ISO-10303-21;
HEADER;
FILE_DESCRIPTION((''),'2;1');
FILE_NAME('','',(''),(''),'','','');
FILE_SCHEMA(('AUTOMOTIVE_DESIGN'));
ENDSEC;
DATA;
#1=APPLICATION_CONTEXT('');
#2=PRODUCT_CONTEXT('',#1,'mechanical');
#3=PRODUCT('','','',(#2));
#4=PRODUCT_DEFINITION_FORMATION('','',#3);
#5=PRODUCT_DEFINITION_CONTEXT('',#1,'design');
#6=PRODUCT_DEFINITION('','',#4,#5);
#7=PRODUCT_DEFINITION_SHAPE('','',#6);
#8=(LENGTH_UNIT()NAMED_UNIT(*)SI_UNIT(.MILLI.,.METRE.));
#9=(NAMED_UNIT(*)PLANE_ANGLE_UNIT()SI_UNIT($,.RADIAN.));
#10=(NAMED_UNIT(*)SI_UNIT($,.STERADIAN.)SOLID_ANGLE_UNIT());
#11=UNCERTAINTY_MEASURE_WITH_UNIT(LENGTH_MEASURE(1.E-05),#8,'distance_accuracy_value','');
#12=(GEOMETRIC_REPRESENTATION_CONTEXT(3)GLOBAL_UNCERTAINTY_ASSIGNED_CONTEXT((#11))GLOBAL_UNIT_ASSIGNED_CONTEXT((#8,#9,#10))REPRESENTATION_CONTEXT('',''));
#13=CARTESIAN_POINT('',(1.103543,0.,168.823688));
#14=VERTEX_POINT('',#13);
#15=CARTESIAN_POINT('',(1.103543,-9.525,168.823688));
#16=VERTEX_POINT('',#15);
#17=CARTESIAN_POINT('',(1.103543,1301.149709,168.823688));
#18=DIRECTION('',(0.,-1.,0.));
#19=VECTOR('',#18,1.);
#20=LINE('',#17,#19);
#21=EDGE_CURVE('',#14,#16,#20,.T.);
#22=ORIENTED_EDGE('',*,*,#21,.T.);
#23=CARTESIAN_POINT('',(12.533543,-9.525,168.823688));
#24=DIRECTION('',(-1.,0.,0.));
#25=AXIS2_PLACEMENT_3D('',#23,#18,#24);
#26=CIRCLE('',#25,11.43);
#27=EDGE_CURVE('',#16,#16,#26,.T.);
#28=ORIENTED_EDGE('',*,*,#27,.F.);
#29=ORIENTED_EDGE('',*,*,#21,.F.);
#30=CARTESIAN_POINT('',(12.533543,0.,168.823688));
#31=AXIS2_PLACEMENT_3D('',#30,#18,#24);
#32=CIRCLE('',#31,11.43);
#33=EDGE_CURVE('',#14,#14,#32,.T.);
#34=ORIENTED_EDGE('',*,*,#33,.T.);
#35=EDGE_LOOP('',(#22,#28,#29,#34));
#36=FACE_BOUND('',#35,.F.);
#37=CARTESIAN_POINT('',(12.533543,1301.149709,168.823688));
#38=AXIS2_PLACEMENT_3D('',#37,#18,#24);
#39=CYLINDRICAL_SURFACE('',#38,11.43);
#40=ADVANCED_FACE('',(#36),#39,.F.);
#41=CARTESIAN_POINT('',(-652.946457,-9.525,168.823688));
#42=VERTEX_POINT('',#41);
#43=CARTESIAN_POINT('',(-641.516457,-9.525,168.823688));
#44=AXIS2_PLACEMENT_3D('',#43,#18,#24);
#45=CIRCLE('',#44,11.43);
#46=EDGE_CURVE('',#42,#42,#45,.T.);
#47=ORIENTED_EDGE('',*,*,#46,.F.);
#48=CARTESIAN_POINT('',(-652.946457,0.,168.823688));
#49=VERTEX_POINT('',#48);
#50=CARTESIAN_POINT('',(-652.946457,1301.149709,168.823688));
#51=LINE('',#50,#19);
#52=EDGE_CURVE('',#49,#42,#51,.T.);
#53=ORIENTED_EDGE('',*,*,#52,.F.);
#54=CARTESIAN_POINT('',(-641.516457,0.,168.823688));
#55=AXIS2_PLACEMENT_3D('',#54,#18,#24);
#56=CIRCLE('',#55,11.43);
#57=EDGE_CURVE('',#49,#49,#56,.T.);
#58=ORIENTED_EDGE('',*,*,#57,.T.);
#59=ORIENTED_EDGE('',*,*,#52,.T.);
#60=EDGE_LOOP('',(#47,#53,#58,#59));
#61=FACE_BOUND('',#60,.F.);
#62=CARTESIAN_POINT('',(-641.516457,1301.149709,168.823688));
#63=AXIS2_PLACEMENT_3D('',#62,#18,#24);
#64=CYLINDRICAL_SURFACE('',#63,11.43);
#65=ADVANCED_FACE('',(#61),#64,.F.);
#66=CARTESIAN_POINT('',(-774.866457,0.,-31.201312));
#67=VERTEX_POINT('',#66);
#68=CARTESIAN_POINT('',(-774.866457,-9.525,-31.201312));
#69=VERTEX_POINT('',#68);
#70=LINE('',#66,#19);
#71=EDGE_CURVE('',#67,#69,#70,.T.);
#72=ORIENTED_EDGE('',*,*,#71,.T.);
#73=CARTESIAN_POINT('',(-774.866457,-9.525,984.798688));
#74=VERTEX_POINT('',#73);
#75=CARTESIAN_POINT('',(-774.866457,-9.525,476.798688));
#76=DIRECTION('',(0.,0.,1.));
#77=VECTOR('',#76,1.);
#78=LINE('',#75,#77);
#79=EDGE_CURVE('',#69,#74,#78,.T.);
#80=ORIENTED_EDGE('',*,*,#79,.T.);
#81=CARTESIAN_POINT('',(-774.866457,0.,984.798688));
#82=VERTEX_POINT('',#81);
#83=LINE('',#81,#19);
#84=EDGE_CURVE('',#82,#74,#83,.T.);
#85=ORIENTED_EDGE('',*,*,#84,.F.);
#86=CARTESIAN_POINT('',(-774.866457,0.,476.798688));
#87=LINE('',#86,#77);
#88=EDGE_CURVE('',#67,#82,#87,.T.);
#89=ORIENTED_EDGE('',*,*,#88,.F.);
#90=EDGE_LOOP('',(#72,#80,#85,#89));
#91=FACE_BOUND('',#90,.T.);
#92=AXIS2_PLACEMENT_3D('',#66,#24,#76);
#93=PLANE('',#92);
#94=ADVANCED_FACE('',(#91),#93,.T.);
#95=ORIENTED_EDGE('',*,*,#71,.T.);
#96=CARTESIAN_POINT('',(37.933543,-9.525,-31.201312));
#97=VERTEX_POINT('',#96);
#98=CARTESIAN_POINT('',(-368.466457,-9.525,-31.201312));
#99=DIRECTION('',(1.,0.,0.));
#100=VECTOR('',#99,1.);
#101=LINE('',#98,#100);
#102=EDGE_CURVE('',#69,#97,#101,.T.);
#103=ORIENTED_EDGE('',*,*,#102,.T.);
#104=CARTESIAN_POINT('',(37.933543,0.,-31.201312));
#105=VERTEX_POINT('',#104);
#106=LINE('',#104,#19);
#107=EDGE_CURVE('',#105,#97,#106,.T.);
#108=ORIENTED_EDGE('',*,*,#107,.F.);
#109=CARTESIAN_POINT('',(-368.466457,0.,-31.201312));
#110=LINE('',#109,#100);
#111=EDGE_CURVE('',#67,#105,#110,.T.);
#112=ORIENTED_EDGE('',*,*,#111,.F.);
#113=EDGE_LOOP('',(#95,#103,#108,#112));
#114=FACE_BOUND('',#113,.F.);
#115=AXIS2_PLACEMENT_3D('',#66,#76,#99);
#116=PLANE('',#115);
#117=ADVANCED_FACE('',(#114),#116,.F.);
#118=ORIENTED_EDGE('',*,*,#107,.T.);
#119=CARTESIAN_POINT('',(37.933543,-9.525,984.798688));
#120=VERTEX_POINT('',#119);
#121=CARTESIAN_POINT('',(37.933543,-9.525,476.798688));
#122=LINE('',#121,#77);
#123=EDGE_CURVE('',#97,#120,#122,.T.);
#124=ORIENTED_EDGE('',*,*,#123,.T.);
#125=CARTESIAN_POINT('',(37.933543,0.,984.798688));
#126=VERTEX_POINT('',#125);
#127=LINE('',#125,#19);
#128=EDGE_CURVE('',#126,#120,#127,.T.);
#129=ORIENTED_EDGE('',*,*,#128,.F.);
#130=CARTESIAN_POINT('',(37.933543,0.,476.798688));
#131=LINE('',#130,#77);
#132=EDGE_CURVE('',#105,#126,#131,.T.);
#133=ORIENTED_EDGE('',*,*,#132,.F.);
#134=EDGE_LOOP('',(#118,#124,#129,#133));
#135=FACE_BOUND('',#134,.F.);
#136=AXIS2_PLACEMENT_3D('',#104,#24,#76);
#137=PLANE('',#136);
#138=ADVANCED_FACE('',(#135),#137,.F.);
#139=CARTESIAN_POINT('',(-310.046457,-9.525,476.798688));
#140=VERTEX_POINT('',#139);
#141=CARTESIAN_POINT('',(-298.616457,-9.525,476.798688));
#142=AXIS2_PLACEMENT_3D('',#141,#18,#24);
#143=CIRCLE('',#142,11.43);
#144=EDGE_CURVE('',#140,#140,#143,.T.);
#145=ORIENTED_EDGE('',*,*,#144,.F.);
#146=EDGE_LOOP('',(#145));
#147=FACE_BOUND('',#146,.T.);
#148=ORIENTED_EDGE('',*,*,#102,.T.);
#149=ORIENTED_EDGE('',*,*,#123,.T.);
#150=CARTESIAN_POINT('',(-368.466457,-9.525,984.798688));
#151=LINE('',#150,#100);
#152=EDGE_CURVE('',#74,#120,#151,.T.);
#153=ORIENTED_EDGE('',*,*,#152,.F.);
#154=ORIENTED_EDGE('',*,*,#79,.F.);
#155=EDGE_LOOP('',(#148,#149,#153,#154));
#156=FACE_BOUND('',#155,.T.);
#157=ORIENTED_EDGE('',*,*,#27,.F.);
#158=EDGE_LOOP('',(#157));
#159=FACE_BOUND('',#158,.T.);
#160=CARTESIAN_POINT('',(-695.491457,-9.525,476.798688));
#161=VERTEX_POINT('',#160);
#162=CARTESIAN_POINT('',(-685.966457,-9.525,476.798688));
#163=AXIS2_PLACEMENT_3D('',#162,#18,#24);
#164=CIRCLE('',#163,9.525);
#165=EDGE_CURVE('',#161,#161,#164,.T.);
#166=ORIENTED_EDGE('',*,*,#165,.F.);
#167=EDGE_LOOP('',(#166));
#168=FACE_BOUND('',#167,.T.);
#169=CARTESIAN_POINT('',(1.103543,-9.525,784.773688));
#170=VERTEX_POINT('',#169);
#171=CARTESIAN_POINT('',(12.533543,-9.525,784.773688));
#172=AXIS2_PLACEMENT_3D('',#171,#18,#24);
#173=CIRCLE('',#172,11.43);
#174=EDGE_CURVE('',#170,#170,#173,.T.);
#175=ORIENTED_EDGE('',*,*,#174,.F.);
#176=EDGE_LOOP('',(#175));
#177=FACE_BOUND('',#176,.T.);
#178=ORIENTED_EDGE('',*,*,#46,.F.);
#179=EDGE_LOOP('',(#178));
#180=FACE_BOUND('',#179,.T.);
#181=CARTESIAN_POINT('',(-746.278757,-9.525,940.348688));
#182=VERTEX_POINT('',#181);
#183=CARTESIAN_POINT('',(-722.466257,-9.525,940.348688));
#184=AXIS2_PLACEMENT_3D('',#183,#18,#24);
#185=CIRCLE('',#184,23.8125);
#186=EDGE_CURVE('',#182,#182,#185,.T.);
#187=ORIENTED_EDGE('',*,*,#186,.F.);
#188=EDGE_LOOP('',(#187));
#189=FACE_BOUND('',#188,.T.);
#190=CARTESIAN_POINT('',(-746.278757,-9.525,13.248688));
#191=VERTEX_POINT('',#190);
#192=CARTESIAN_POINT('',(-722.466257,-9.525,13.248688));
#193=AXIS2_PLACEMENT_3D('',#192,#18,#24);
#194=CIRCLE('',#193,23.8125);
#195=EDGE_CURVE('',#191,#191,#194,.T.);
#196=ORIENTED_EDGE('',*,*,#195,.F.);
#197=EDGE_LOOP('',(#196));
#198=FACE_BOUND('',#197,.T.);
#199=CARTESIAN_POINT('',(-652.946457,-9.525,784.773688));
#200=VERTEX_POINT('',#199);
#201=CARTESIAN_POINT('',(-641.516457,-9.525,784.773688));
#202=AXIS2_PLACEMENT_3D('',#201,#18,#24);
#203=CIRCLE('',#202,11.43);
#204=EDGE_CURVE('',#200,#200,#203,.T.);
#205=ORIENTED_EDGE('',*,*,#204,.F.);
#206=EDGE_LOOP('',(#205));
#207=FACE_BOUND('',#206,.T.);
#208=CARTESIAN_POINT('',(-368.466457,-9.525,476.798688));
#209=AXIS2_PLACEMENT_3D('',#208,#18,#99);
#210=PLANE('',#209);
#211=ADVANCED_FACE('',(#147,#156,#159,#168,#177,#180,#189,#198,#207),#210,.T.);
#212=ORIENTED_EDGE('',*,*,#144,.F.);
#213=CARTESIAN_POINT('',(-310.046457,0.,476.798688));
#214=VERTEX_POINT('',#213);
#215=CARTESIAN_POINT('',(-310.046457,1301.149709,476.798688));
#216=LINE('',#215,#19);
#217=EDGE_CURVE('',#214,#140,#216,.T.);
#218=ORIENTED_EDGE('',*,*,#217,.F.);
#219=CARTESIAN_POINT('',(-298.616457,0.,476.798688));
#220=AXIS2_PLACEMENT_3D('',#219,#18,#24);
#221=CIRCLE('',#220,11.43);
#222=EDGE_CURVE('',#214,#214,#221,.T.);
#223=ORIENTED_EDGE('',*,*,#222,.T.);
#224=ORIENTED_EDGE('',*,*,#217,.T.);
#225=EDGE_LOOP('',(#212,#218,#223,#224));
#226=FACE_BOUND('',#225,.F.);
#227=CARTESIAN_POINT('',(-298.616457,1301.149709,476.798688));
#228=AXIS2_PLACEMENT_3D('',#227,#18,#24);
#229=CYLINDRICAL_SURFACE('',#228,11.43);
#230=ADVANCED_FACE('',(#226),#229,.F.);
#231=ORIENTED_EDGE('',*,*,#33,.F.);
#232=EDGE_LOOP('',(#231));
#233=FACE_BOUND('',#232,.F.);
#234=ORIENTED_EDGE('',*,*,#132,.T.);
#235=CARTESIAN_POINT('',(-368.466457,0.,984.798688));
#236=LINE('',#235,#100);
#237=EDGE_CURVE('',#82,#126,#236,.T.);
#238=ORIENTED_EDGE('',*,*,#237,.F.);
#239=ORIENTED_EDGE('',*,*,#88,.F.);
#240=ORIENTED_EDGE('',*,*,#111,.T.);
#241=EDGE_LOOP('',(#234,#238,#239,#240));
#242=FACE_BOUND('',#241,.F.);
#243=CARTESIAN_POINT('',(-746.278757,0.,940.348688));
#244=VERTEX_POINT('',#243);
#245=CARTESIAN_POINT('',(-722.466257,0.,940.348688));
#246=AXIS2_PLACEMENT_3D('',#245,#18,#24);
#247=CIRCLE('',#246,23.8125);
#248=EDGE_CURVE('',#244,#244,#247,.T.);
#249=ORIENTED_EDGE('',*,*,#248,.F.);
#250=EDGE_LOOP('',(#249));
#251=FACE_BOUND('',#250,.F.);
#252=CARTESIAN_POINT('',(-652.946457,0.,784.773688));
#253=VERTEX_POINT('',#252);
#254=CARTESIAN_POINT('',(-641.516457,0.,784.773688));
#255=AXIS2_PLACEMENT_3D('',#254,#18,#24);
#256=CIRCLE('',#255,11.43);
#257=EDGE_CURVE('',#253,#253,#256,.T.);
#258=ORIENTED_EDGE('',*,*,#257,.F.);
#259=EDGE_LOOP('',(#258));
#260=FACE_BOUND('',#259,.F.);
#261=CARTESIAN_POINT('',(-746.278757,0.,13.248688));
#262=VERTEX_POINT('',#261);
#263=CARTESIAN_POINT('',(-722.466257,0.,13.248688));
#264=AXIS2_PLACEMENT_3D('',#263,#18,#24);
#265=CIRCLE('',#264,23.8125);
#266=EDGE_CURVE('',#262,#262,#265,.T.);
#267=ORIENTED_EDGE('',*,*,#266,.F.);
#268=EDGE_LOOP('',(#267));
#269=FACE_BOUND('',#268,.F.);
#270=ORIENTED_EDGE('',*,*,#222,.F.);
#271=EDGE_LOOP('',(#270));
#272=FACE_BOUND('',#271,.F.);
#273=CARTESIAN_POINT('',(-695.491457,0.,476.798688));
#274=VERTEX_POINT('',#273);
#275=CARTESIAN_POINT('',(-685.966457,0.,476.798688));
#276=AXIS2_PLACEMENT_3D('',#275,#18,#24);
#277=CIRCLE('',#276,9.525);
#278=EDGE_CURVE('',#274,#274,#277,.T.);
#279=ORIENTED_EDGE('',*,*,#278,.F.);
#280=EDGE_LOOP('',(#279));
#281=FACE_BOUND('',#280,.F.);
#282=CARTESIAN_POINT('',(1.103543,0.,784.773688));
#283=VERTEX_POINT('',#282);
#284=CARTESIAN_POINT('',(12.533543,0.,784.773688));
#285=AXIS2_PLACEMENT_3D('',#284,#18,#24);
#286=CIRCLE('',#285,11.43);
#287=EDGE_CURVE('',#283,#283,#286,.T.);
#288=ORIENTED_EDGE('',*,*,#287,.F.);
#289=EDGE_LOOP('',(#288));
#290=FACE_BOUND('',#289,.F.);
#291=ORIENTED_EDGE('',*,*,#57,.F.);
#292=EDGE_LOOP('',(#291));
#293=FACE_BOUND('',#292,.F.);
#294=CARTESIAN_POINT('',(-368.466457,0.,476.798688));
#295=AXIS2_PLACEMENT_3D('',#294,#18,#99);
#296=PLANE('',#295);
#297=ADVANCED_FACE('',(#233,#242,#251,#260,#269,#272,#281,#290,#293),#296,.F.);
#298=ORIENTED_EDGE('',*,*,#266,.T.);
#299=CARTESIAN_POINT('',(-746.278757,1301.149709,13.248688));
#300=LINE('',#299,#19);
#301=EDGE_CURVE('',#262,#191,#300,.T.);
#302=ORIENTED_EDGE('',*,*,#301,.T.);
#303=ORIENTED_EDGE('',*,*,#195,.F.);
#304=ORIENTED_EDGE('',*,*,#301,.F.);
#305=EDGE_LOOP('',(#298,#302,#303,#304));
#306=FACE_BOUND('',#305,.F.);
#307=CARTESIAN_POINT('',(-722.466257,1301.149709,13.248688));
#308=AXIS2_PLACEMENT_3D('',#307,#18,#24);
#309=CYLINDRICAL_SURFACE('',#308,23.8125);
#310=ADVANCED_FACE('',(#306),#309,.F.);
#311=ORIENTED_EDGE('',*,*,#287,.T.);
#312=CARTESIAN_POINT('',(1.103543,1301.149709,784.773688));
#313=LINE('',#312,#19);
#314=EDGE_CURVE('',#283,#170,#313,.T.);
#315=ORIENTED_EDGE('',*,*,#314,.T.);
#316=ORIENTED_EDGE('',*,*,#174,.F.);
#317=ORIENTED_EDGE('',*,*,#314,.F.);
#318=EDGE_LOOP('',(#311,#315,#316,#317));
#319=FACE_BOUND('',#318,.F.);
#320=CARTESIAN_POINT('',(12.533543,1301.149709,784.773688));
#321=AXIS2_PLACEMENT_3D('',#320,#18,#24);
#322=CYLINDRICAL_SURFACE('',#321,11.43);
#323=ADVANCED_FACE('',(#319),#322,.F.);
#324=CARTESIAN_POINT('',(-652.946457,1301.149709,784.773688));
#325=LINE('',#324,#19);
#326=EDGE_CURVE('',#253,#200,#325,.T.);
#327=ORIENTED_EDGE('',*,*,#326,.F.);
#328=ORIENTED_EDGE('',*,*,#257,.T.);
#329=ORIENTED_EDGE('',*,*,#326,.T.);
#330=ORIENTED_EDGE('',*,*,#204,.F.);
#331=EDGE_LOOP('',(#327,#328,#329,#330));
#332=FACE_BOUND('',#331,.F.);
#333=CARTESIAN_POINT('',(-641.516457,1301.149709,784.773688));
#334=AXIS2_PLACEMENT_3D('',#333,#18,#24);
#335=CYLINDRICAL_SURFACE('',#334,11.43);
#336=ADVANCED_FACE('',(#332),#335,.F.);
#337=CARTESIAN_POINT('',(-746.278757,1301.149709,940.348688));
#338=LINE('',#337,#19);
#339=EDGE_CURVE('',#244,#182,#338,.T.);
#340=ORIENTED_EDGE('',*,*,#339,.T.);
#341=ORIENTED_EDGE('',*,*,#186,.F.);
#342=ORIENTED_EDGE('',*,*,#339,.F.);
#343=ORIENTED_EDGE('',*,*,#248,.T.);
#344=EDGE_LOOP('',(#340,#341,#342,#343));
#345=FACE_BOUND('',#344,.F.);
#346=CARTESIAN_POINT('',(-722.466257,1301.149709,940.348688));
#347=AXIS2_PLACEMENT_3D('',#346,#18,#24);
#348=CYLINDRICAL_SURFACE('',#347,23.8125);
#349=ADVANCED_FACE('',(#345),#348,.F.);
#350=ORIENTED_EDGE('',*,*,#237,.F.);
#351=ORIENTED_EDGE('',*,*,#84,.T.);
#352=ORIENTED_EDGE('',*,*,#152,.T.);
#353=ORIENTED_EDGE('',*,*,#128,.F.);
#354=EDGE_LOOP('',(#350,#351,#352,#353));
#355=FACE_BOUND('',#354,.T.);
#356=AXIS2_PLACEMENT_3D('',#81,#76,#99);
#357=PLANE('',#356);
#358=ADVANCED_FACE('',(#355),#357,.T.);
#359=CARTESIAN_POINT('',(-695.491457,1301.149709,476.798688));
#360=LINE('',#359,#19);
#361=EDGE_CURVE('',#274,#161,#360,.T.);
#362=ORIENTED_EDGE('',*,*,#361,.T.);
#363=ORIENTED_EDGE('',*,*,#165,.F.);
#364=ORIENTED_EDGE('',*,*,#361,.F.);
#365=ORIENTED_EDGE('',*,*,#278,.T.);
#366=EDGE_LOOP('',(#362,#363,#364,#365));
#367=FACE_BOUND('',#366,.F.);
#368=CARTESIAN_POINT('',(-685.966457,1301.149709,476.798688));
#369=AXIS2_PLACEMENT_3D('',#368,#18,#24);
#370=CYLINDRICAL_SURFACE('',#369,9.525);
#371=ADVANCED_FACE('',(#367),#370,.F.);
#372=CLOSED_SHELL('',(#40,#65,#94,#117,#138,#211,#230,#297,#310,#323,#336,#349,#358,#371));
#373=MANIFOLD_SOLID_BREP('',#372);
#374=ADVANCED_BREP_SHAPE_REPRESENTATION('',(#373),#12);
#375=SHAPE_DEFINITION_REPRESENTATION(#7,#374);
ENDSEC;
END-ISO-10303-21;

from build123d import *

# Parameters (mm, degrees)
F0_W     = 812.8
F0_H     = 1016
F1_DEPTH = 9.525
F3_D     = 47.625
F4_D     = 19.05
F5_D     = 22.86


with BuildPart() as f1:
    # F0 (on Front) → F1 (new body)
    with BuildSketch(Plane.XZ):
        with Locations((-368.4664566755, 476.7986876816)):
            Rectangle(F0_W, F0_H)
    extrude(amount=F1_DEPTH)

    # F3 (through all)
    with Locations(Plane(origin=(0, 0, 0), x_dir=(1, 0, 0), z_dir=(0, 1, 0))):
        with Locations((-722.4662566755, -940.3486876816), (-722.4662566755, -13.2486876816)):
            Hole(F3_D / 2)

    # F4 (through all)
    with Locations(Plane(origin=(0, 0, 0), x_dir=(1, 0, 0), z_dir=(0, 1, 0))):
        with Locations((-685.9664566755, -476.7986876816)):
            Hole(F4_D / 2)

    # F5 (through all)
    with Locations(Plane(origin=(0, 0, 0), x_dir=(1, 0, 0), z_dir=(0, 1, 0))):
        with Locations((-641.5164566755, -784.7736876816), (-298.6164566755, -476.7986876816), (12.5335433245, -784.7736876816), (12.5335433245, -168.8236876816), (-641.5164566755, -168.8236876816)):
            Hole(F5_D / 2)


solid = f1.part
